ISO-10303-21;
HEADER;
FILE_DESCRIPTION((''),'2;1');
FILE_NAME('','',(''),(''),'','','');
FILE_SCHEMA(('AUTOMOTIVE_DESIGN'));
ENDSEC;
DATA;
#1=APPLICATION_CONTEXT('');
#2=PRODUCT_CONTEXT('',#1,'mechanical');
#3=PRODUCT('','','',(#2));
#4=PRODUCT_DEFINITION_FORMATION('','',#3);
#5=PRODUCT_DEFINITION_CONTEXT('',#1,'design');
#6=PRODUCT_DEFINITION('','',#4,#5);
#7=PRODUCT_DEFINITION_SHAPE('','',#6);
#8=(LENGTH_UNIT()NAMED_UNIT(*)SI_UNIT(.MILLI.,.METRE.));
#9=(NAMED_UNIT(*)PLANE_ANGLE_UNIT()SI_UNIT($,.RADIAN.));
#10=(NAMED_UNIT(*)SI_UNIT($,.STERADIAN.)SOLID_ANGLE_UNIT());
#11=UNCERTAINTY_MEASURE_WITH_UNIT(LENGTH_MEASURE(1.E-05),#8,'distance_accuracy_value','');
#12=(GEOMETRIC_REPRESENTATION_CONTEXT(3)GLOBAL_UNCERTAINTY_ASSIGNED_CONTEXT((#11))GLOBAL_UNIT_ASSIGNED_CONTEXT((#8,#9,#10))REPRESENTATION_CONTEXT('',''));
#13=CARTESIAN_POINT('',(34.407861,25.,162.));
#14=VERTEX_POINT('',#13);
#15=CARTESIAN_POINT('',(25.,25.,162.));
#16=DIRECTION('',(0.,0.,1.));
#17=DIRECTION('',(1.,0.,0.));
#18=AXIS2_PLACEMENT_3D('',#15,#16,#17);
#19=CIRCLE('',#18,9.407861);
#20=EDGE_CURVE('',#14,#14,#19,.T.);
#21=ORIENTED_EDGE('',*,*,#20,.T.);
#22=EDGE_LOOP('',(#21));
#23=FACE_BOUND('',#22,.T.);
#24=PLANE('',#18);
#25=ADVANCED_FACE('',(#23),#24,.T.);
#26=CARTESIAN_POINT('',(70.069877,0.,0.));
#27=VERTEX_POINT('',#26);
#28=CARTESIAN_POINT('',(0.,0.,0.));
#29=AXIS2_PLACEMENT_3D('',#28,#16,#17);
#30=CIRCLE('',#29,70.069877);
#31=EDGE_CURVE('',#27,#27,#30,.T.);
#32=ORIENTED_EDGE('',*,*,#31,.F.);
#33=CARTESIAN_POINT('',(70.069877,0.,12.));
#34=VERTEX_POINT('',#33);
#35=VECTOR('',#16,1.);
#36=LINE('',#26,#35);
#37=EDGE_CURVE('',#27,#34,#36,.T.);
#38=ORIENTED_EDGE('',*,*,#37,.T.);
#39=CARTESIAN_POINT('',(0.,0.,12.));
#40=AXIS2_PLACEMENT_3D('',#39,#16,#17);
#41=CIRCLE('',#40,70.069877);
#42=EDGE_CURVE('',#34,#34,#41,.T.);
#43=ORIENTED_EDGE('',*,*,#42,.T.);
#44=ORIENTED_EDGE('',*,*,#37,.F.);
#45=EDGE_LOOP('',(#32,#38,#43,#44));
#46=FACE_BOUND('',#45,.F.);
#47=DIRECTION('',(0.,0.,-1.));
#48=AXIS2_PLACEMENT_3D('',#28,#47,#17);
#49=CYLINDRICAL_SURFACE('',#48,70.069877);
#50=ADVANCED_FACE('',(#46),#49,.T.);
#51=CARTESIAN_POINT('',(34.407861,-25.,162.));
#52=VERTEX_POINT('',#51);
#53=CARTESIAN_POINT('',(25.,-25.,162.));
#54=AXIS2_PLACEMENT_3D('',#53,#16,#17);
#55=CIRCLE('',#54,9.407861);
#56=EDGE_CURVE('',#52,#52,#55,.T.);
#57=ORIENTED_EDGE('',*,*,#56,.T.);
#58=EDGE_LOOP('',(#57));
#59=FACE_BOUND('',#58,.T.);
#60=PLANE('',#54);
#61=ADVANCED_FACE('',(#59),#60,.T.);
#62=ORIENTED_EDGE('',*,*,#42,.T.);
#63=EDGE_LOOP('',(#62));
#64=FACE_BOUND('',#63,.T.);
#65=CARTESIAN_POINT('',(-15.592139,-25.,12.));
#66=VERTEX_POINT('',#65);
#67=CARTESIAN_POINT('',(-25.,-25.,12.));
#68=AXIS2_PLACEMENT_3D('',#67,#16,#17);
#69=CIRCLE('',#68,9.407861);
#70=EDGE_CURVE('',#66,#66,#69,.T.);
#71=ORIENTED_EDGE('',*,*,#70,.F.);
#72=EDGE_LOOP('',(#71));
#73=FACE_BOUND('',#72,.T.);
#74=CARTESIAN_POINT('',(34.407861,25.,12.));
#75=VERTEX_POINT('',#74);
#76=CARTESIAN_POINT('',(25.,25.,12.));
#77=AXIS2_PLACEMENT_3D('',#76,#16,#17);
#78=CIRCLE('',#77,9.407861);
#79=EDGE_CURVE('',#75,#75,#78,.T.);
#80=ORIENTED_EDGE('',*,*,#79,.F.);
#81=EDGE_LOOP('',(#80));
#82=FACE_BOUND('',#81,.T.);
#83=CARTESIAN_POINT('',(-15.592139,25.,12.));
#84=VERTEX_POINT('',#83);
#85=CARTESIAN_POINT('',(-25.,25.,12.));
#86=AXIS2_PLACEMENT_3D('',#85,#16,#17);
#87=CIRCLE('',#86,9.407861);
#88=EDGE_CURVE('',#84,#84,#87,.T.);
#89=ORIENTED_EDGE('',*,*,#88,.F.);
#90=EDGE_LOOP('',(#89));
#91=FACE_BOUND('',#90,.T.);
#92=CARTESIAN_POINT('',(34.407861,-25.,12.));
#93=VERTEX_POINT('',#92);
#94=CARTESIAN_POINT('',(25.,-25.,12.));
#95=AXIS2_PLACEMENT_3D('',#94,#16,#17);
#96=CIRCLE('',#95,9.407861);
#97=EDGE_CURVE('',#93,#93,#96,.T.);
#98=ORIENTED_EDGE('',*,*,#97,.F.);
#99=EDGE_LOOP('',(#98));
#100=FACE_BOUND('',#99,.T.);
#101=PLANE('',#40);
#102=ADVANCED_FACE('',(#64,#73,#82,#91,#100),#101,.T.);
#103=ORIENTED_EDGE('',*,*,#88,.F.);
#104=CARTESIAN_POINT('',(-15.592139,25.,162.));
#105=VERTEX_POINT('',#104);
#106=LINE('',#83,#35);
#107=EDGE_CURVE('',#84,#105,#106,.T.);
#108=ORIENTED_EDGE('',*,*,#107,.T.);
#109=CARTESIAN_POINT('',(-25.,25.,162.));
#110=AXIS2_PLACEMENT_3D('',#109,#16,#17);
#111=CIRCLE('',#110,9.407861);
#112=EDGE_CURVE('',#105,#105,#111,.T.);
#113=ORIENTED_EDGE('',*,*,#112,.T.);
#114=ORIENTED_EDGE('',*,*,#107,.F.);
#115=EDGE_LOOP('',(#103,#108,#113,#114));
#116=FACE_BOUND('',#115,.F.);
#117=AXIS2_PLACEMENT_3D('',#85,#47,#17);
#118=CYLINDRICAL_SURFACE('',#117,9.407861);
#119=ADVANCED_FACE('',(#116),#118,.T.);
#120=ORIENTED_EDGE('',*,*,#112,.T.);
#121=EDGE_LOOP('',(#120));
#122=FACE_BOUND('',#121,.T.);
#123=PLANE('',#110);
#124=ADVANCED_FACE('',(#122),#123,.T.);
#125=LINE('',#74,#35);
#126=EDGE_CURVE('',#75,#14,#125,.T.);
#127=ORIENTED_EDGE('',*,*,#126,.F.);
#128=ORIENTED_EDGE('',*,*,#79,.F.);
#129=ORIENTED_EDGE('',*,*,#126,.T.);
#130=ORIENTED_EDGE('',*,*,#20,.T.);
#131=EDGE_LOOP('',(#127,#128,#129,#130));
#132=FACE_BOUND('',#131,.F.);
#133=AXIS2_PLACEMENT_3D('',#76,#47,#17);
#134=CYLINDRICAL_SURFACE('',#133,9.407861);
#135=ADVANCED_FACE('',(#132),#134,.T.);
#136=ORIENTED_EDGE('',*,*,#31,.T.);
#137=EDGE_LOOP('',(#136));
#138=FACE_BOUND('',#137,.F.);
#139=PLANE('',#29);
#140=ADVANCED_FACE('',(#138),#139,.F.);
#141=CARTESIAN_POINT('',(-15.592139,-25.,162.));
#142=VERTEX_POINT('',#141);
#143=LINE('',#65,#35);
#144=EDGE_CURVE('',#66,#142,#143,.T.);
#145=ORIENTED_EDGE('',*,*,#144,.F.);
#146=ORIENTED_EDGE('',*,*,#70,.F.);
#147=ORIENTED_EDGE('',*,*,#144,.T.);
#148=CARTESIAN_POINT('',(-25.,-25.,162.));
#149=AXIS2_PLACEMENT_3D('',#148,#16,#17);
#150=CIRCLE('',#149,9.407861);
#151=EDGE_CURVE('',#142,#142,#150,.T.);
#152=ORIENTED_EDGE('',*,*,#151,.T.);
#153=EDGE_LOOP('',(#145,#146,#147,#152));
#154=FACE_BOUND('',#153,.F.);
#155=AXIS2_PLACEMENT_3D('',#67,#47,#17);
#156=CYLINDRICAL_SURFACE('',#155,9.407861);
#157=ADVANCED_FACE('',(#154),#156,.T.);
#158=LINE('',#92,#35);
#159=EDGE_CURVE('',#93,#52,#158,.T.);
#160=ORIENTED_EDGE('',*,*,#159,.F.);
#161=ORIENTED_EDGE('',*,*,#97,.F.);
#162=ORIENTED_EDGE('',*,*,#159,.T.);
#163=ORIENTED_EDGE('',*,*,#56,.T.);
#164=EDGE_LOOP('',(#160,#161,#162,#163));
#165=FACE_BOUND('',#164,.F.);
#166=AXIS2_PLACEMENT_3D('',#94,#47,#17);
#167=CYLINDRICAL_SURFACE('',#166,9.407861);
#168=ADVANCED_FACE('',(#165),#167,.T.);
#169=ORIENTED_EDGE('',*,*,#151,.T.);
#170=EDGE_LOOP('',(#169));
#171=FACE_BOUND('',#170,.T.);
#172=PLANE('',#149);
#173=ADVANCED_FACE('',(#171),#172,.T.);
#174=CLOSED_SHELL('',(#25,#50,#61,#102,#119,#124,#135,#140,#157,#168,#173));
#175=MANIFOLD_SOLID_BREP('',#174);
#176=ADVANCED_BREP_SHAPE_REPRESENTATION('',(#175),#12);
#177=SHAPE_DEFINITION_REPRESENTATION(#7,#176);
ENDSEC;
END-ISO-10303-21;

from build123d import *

# Parameters (mm, degrees)
SKETCH_R     = 70.069877
PAD_DEPTH    = 12
SKETCH001_R  = 9.407861
PAD001_DEPTH = 150


with BuildPart() as part:
    # Sketch → Pad (new body)
    with BuildSketch(Plane.XY):
        Circle(SKETCH_R)
    extrude(amount=PAD_DEPTH)

    # Sketch001 (on Face3 of Pad) → Pad001 (join)
    with BuildSketch(Plane.XY.offset(12)):
        with Locations((-25, 25)):
            Circle(SKETCH001_R)
        with Locations((25, 25)):
            Circle(SKETCH001_R)
        with Locations((25, -25)):
            Circle(SKETCH001_R)
        with Locations((-25, -25)):
            Circle(SKETCH001_R)
    extrude(amount=PAD001_DEPTH)


solid = part.part
